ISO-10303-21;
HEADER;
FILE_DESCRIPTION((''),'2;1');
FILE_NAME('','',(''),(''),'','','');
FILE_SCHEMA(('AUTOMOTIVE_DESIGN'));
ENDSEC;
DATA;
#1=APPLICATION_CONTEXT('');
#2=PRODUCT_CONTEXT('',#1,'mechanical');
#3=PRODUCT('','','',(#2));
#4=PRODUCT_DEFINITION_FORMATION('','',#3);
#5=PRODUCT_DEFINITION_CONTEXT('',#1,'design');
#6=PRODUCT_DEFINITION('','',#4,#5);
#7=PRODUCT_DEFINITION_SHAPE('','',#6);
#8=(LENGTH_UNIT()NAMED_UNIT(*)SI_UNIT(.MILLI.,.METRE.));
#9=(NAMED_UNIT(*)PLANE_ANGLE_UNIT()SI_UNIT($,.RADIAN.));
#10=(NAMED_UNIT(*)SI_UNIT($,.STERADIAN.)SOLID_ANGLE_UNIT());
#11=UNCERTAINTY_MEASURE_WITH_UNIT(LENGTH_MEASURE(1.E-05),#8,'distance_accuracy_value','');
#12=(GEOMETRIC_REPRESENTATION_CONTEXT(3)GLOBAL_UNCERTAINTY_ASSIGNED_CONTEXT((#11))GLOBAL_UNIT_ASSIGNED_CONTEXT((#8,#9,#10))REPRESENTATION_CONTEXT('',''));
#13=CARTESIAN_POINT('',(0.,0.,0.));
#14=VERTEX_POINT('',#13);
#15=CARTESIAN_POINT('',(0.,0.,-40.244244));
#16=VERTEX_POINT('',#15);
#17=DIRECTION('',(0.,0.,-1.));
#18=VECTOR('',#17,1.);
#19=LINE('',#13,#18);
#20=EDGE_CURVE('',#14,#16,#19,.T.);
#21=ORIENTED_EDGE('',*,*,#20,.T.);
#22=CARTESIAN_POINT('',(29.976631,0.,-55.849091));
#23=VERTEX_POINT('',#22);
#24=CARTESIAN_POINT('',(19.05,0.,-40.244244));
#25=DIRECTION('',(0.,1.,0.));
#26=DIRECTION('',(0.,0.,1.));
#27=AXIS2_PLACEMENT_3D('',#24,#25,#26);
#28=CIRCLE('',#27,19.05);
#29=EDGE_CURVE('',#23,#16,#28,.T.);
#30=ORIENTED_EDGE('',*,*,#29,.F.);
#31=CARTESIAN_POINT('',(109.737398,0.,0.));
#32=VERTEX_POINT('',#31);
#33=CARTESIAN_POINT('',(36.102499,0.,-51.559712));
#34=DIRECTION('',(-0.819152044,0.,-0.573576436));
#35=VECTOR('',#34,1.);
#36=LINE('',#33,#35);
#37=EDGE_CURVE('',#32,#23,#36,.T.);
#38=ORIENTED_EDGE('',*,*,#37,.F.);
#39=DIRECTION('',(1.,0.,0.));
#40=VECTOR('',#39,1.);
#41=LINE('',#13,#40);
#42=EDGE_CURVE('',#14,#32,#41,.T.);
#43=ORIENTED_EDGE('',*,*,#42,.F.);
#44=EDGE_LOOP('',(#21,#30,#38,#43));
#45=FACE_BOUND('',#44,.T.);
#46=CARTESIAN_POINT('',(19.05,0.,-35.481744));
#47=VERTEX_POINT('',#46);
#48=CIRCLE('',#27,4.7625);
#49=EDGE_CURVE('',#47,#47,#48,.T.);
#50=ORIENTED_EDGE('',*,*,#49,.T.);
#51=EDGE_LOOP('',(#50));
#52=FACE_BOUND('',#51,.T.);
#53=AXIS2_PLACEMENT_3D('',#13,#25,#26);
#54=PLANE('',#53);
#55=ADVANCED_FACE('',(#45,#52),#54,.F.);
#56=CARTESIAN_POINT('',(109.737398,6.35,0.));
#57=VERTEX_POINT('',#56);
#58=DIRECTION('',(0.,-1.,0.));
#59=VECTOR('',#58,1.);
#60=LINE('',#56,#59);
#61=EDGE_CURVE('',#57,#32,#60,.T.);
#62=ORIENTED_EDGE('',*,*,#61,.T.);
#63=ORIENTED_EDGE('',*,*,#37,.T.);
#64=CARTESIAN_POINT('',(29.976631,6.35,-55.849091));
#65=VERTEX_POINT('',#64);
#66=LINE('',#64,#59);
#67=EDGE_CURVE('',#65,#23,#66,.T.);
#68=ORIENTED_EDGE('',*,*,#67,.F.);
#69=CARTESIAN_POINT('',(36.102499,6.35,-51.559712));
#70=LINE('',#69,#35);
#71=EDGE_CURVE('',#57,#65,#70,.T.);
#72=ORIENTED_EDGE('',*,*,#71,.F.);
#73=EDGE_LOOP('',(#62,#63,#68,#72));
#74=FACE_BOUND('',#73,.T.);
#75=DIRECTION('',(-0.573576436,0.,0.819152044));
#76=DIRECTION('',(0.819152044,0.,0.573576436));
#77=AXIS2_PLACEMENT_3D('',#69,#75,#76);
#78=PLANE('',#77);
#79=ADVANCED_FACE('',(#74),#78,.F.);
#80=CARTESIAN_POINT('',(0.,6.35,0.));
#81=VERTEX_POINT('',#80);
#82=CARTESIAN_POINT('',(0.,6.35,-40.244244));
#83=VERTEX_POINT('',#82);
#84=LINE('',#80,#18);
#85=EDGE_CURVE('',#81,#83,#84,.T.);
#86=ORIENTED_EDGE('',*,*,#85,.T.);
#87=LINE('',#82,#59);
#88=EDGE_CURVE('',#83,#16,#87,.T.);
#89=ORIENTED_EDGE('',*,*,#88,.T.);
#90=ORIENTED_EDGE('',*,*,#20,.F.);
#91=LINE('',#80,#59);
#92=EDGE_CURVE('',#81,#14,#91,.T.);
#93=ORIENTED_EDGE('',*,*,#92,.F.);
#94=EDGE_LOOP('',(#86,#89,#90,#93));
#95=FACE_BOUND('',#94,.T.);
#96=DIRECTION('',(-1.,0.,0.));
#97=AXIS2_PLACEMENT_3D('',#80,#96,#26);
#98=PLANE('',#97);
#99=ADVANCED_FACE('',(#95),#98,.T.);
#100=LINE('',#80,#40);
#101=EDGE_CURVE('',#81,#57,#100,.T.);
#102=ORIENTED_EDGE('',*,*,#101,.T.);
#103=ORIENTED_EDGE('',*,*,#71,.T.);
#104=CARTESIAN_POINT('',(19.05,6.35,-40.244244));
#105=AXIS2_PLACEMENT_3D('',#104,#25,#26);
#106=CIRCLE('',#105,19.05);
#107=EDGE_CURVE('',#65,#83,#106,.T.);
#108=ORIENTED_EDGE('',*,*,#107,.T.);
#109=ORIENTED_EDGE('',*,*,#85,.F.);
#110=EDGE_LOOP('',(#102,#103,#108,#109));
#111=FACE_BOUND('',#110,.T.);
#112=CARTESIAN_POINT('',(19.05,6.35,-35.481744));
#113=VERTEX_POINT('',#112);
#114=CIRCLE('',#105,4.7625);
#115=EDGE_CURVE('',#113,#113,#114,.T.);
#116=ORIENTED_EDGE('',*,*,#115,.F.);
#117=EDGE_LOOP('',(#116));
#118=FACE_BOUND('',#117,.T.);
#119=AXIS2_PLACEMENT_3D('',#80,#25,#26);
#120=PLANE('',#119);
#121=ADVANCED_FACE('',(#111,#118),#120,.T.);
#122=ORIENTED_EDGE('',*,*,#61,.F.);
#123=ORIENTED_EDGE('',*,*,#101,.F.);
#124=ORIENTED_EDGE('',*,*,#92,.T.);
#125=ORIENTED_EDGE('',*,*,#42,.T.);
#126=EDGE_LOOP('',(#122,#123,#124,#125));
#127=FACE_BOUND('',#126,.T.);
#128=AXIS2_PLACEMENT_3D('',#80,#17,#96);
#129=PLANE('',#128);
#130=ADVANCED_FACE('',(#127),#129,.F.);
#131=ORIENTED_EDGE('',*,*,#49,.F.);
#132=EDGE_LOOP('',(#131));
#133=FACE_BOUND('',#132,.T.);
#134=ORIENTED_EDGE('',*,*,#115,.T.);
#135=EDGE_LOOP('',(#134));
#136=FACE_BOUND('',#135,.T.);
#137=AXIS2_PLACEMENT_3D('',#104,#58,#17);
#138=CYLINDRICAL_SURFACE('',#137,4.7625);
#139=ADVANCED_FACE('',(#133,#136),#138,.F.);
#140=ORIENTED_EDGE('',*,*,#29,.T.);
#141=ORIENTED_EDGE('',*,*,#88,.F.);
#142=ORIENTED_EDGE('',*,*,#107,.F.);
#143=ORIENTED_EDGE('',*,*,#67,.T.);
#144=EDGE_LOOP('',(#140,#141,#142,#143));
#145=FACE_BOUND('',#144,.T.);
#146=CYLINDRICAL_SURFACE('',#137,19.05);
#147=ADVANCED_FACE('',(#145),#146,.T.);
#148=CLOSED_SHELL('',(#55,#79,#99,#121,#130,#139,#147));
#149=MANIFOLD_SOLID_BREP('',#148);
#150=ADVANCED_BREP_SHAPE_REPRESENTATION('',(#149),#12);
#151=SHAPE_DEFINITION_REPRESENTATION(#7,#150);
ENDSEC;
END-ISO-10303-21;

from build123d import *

# Parameters (mm, degrees)
BOSS_EXTRUDE2_DEPTH = 6.35


with BuildPart() as part:
    # Sketch1 → Boss-Extrude2 (new body)
    # profile 1 of 5: a face of its own
    with BuildSketch(Plane(origin=(0, 0, 0), x_dir=(1, 0, 0), z_dir=(0, 1, 0))):
        with BuildLine():
            Line((19.05, 45.006744084), (19.05, 59.294244084))
            ThreePointArc((19.05, 59.294244084), (5.579615818, 53.714628266), (0, 40.244244084))
            Line((0, 40.244244084), (0, 0))
            Line((0, 0), (19.05, 0))
            Line((19.05, 0), (19.05, 8.89))
            Line((19.05, 8.89), (8.89, 8.89))
            Line((8.89, 8.89), (8.89, 24.129750608))
            ThreePointArc((8.89, 24.129750608), (13.762212217, 21.942828828), (19.05, 21.194244084))
            Line((19.05, 21.194244084), (19.05, 35.481744084))
            ThreePointArc((19.05, 35.481744084), (14.2875, 40.244244084), (19.05, 45.006744084))
        make_face()
    # profile 2 of 5: a face of its own
    with BuildSketch(Plane(origin=(0, 0, 0), x_dir=(1, 0, 0), z_dir=(0, 1, 0))):
        with BuildLine():
            ThreePointArc((29.976631112, 55.849090528), (24.778445481, 58.412551996), (19.05, 59.294244084))
            Line((19.05, 59.294244084), (19.05, 45.006744084))
            ThreePointArc((19.05, 45.006744084), (22.417596045, 43.611840129), (23.8125, 40.244244084))
            ThreePointArc((23.8125, 40.244244084), (22.417596045, 36.876648039), (19.05, 35.481744084))
            Line((19.05, 35.481744084), (19.05, 21.194244084))
            ThreePointArc((19.05, 21.194244084), (22.242798897, 21.463708011), (25.345272951, 22.264476608))
            Line((25.345272951, 22.264476608), (34.29, 8.89))
            Line((34.29, 8.89), (19.05, 8.89))
            Line((19.05, 8.89), (19.05, 0))
            Line((19.05, 0), (109.737398428, 0))
            Line((109.737398428, 0), (29.976631112, 55.849090528))
        make_face()
        with BuildLine():
            Line((46.99, 8.89), (33.57249636, 27.915432321))
            ThreePointArc((33.57249636, 27.915432321), (35.515172131, 30.66298077), (36.94411395, 33.709476611))
            Line((36.94411395, 33.709476611), (72.39, 8.89))
            Line((72.39, 8.89), (46.99, 8.89))
        make_face(mode=Mode.SUBTRACT)
    # profile 3 of 5: a face of its own
    with BuildSketch(Plane(origin=(0, 0, 0), x_dir=(1, 0, 0), z_dir=(0, 1, 0))):
        with BuildLine():
            ThreePointArc((25.345272951, 22.264476608), (22.242798897, 21.463708011), (19.05, 21.194244084))
            Line((19.05, 21.194244084), (19.05, 8.89))
            Line((19.05, 8.89), (34.29, 8.89))
            Line((34.29, 8.89), (25.345272951, 22.264476608))
        make_face()
    # profile 4 of 5: a face of its own
    with BuildSketch(Plane(origin=(0, 0, 0), x_dir=(1, 0, 0), z_dir=(0, 1, 0))):
        with BuildLine():
            Line((19.05, 8.89), (19.05, 21.194244084))
            ThreePointArc((19.05, 21.194244084), (13.762212217, 21.942828828), (8.89, 24.129750608))
            Line((8.89, 24.129750608), (8.89, 8.89))
            Line((8.89, 8.89), (19.05, 8.89))
        make_face()
    # profile 5 of 5: a face of its own
    with BuildSketch(Plane(origin=(0, 0, 0), x_dir=(1, 0, 0), z_dir=(0, 1, 0))):
        with BuildLine():
            ThreePointArc((33.57249636, 27.915432321), (35.515172131, 30.66298077), (36.94411395, 33.709476611))
            Line((36.94411395, 33.709476611), (72.39, 8.89))
            Line((72.39, 8.89), (46.99, 8.89))
            Line((46.99, 8.89), (33.57249636, 27.915432321))
        make_face()
    extrude(amount=BOSS_EXTRUDE2_DEPTH)


solid = part.part
